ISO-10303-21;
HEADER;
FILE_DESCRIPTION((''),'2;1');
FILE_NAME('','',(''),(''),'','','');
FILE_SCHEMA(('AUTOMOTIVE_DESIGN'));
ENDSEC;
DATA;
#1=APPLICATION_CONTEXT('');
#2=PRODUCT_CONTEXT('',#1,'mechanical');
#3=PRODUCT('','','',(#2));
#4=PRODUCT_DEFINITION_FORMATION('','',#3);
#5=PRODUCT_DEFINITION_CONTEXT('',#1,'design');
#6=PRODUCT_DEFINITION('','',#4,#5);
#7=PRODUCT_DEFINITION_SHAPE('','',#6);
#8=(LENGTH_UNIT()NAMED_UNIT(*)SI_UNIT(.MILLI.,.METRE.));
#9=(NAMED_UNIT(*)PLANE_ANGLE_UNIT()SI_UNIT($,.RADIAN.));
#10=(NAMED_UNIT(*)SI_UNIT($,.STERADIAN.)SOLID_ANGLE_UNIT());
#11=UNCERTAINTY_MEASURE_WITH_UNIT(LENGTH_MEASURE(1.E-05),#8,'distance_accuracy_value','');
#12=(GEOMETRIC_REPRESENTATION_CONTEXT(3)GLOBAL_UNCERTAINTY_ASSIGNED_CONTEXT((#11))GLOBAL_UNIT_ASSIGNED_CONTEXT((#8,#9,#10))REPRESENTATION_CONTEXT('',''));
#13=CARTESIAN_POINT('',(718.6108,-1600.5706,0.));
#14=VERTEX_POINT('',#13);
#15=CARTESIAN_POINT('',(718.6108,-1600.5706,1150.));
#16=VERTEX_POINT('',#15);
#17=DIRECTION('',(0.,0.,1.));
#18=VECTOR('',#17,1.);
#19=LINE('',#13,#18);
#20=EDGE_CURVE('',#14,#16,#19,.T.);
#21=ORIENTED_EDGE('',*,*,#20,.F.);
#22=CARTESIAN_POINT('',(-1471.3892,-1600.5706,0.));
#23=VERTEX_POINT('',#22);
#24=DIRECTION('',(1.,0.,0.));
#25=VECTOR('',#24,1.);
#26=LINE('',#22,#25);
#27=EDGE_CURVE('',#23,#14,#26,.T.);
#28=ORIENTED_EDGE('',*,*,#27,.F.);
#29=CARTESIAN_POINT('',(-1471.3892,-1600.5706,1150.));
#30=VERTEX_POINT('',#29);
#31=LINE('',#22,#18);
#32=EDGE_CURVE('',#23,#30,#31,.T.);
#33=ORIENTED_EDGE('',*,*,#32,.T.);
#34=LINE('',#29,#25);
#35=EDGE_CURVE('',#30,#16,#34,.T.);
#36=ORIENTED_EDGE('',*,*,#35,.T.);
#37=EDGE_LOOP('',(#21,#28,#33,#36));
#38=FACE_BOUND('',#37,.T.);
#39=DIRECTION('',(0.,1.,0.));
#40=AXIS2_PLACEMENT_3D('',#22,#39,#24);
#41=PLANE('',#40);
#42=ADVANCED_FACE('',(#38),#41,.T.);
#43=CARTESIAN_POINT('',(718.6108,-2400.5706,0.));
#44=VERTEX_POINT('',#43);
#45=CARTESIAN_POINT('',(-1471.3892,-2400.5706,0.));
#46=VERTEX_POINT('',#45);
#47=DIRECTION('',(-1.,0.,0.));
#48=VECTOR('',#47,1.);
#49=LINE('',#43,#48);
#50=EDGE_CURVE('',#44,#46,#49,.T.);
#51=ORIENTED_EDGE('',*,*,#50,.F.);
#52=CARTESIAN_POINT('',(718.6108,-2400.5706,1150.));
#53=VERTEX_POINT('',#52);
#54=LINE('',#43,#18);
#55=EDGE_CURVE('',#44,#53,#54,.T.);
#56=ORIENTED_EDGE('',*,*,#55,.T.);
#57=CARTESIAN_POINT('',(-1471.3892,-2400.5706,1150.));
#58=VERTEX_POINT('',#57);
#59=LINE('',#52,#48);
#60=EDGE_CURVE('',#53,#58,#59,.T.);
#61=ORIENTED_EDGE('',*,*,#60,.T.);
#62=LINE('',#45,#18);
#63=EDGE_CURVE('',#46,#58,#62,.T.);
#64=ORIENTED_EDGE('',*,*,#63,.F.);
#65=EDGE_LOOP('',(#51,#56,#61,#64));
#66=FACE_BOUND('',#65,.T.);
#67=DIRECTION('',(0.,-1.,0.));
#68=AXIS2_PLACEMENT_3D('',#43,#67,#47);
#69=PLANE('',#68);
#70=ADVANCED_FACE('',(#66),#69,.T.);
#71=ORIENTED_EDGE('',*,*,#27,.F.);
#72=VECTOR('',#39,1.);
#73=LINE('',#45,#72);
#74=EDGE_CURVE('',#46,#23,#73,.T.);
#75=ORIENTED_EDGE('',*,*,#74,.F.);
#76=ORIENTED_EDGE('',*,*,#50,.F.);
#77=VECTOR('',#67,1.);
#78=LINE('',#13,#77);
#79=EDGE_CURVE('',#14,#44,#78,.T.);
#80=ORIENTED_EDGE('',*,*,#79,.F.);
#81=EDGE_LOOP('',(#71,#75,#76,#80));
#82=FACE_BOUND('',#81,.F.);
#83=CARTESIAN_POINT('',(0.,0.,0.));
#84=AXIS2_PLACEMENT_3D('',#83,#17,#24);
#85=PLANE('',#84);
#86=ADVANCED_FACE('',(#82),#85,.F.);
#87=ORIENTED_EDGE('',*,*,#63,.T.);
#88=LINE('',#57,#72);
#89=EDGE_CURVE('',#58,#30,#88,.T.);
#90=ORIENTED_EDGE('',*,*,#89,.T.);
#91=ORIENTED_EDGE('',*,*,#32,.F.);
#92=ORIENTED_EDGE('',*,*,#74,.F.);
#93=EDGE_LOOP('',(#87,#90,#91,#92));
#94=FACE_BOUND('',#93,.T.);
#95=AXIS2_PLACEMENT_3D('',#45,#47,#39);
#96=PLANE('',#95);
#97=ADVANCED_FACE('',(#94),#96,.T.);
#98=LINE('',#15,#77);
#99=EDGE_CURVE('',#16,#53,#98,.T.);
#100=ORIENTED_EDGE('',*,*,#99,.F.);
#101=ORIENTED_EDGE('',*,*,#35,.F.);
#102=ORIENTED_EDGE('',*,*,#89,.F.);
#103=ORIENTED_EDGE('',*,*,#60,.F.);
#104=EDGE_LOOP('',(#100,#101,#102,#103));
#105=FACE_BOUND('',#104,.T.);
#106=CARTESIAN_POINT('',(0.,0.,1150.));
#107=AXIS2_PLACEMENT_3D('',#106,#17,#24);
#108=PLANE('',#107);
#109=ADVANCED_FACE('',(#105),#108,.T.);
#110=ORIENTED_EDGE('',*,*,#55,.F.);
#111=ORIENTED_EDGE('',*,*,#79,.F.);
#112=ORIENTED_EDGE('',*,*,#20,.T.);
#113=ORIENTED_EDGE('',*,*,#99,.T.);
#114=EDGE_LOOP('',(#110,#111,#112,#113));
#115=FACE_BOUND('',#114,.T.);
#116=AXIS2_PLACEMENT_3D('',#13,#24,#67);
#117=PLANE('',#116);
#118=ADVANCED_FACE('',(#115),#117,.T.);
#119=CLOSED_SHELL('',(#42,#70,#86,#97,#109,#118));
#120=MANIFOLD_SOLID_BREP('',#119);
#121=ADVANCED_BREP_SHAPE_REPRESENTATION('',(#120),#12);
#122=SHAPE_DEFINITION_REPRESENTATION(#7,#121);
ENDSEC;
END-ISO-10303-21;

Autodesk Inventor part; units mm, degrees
ref_plane "YZ Plane" through (0, 0, 0) normal (1, 0, 0) x (0, 1, 0)
ref_plane "XZ Plane" through (0, 0, 0) normal (0, 1, 0) x (-1, 0, 0)
ref_plane "XY Plane" through (0, 0, 0) normal (0, 0, 1) x (1, 0, 0)
ref_plane "Plano de trabajo1" through (0, 0, 0) normal (0, 0, 1) x (1, 0, 0)
sketch "Boceto1" plane through (0, 0, 0) normal (0, 0, 1) x (1, 0, 0)
  line L0 (-1471.3892, -1600.5706) -> (718.6108, -1600.5706)
  line L1 (718.6108, -1600.5706) -> (718.6108, -2400.5706)
  line L2 (718.6108, -2400.5706) -> (-1471.3892, -2400.5706)
  line L3 (-1471.3892, -2400.5706) -> (-1471.3892, -1600.5706)
  line L4 (624.235, -2000.5706) -> (-1372.7834, -2000.5706)
  point P0 (0, 0)
  dimension "d0" = 2190
  dimension "d1" = 800
  dimension "d3" = 400
extrude "Extrusión1" add sketch "Boceto1" along normal blind 1150
sketch "Boceto2" plane through (-1471.3892, -2400.5706, 0) normal (0, -1, 0) x (1, 0, 0)
  line L0 (0, 0) -> (2190, 0) projected
  line L1 (0, 0) -> (0, 1150)
  line L2 (0, 0) -> (0, 1150) projected
  line L3 (0, 1150) -> (2190, 1150)
  line L4 (0, 850) -> (2190, 850)
  line L5 (1095, 1150) -> (1095, 0)
  line L6 (2190, 0) -> (2190, 1150) projected
  line L7 (2190, 0) -> (2190, 1150)
  point P0 (1471.3892, 0)
  dimension "d7" = 2190
  dimension "d8" = 1095
  dimension "d9" = 850
  dimension "d11" = 300
sketch "Boceto3" plane through (-1471.3892, -1600.5706, 0) normal (0, 1, 0) x (1, 0, 0)
  line L0 (0, 0) -> (2190, 0) projected
  line L1 (2190, 0) -> (2190, -1150)
  line L2 (2190, 0) -> (2190, -1150) projected
  line L3 (2190, -1150) -> (0, -1150)
  line L4 (0, 0) -> (0, -1150) projected
  line L5 (0, -1150) -> (0, 0)
  line L6 (2190, -850) -> (0, -850)
  line L7 (1095, -1150) -> (1095, 0)
  point P0 (1471.3892, 0)
  dimension "d12" = 1150
  dimension "d13" = 2190
  dimension "d14" = 300
  dimension "d15" = 1095
properties part number "Gref_Sec"
